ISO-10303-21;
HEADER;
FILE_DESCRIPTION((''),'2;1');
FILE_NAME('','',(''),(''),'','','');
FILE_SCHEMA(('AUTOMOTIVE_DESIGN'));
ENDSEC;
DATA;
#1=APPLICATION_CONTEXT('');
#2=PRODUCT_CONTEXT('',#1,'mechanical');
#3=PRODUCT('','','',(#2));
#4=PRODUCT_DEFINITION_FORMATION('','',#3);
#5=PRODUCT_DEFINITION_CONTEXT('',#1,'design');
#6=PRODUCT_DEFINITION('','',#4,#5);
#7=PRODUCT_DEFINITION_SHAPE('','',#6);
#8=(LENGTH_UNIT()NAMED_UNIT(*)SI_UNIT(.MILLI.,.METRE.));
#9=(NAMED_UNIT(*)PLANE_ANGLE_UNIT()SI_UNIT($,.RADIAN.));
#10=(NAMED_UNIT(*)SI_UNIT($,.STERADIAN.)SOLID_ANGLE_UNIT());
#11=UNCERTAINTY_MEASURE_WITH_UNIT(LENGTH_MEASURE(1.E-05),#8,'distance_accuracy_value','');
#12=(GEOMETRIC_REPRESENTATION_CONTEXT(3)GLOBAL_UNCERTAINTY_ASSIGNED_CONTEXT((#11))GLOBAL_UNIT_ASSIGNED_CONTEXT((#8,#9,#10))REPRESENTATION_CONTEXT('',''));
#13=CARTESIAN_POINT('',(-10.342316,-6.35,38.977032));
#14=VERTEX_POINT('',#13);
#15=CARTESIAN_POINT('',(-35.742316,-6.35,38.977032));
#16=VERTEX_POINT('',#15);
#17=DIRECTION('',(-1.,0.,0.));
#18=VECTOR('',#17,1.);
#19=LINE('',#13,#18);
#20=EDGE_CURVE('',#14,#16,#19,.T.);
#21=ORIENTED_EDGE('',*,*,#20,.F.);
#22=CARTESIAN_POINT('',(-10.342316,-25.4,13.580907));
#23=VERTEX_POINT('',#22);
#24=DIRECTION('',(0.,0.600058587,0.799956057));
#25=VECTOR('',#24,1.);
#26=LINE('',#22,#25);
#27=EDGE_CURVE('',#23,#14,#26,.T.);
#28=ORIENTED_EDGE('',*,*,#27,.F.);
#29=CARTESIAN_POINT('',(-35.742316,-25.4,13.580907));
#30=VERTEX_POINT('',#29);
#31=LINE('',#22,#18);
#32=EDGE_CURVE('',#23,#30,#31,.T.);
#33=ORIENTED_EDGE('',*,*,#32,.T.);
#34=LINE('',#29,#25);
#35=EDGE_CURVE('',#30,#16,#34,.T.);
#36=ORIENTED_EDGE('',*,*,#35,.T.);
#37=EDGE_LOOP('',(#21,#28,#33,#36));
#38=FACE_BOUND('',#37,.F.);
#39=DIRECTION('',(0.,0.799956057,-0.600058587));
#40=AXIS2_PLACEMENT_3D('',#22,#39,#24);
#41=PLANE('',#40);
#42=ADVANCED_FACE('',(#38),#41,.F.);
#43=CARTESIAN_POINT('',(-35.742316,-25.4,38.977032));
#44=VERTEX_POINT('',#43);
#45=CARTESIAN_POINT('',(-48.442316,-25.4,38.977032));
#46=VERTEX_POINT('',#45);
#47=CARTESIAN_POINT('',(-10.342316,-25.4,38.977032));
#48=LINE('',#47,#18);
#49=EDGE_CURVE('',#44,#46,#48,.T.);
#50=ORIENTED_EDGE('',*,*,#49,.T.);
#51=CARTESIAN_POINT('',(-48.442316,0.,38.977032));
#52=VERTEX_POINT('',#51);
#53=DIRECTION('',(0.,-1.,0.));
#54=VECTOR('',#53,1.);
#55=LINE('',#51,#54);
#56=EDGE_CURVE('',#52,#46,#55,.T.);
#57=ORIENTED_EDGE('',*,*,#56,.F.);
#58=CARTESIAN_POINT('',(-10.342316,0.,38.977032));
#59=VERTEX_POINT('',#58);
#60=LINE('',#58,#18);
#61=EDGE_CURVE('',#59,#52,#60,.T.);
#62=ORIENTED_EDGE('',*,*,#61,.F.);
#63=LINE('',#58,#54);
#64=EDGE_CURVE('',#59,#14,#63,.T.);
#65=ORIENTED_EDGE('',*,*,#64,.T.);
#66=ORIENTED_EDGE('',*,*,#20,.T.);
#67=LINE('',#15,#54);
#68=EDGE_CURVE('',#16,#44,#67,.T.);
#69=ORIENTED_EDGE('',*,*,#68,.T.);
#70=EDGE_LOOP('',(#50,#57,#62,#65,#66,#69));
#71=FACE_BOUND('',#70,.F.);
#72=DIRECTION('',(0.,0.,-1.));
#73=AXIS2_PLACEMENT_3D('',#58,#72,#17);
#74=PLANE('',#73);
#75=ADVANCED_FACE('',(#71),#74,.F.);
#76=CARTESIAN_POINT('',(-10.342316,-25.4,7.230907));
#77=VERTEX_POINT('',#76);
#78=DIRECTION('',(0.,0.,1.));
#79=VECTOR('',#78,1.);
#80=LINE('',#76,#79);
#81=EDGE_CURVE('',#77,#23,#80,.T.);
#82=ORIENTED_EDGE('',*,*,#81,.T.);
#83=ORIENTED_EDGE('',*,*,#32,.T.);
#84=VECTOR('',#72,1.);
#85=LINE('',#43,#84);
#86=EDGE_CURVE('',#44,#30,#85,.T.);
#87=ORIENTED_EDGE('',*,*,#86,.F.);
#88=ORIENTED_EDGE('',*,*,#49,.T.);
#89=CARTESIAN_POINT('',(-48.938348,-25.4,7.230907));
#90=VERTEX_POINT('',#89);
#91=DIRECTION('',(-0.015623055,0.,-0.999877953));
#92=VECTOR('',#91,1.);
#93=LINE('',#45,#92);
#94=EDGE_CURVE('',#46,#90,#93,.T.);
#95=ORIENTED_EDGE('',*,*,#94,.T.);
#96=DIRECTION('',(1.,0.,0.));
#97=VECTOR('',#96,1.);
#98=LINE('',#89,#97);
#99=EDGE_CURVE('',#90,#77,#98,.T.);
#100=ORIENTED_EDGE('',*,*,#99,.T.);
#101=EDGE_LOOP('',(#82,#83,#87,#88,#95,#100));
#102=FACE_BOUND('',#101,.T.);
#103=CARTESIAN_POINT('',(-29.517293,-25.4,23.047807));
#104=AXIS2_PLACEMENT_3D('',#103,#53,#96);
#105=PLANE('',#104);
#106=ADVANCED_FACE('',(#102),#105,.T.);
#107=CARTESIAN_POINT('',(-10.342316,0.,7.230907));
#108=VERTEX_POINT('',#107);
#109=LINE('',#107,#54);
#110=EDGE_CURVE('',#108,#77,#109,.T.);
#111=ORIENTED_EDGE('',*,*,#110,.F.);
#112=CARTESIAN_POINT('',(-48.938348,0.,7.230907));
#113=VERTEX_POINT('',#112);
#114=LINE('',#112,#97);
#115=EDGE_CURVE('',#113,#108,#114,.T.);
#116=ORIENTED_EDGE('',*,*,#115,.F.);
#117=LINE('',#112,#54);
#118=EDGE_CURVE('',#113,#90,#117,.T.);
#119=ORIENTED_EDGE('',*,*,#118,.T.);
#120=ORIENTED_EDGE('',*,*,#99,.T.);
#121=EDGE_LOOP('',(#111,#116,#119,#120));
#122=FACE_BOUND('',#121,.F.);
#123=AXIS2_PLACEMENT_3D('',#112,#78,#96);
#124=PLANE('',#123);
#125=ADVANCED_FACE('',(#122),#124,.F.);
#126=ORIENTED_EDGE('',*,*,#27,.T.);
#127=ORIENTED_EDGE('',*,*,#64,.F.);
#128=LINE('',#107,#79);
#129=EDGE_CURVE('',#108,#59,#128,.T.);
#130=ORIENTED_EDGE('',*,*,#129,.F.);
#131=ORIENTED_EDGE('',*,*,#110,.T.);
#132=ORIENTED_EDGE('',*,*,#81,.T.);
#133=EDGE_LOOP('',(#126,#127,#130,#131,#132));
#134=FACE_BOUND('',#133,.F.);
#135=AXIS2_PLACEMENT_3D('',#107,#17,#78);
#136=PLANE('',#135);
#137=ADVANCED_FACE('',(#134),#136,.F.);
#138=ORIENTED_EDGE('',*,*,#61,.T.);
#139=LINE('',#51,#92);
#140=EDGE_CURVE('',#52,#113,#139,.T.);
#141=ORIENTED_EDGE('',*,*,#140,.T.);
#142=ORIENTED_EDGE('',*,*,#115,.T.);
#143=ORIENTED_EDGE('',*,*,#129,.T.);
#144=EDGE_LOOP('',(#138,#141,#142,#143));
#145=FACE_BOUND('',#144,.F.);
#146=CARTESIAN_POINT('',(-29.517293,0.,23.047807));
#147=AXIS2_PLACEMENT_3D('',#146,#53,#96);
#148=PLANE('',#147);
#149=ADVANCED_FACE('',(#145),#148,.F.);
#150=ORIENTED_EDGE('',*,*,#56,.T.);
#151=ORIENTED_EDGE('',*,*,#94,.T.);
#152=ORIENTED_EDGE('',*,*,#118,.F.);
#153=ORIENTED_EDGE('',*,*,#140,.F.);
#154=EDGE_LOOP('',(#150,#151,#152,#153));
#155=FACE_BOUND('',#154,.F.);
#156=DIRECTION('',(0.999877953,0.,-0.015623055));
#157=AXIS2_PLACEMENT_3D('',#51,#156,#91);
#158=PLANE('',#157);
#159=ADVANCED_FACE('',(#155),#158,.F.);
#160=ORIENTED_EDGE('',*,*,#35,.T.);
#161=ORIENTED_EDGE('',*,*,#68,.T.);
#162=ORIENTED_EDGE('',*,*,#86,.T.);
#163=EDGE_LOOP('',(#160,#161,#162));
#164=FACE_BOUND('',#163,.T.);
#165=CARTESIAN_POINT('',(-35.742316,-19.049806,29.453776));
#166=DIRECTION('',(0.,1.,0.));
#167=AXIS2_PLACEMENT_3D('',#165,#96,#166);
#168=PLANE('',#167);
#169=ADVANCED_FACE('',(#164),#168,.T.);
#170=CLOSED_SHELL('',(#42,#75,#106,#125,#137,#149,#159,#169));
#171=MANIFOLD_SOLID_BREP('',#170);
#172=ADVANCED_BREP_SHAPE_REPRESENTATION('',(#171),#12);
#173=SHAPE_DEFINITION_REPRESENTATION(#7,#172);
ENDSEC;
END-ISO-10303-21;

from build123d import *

# Parameters (mm, degrees)
F1_DEPTH = 25.4
F3_DEPTH = 25.4


with BuildPart() as f1:
    # F0 (on Front) → F1 (new body)
    with BuildSketch(Plane.XZ):
        Polygon((-10.342316, 38.977032), (-48.442316, 38.977032), (-48.938348, 7.230907), (-10.342316, 7.230907), align=None)
    extrude(amount=F1_DEPTH)

    # F2 (on face) → F3 (cut)
    with BuildSketch(Plane.YZ.offset(-10.342316)):
        Polygon((-25.4, 38.977032), (-25.4, 13.580907), (-6.35, 38.977032), align=None)
    extrude(amount=-F3_DEPTH, mode=Mode.SUBTRACT)


solid = f1.part
